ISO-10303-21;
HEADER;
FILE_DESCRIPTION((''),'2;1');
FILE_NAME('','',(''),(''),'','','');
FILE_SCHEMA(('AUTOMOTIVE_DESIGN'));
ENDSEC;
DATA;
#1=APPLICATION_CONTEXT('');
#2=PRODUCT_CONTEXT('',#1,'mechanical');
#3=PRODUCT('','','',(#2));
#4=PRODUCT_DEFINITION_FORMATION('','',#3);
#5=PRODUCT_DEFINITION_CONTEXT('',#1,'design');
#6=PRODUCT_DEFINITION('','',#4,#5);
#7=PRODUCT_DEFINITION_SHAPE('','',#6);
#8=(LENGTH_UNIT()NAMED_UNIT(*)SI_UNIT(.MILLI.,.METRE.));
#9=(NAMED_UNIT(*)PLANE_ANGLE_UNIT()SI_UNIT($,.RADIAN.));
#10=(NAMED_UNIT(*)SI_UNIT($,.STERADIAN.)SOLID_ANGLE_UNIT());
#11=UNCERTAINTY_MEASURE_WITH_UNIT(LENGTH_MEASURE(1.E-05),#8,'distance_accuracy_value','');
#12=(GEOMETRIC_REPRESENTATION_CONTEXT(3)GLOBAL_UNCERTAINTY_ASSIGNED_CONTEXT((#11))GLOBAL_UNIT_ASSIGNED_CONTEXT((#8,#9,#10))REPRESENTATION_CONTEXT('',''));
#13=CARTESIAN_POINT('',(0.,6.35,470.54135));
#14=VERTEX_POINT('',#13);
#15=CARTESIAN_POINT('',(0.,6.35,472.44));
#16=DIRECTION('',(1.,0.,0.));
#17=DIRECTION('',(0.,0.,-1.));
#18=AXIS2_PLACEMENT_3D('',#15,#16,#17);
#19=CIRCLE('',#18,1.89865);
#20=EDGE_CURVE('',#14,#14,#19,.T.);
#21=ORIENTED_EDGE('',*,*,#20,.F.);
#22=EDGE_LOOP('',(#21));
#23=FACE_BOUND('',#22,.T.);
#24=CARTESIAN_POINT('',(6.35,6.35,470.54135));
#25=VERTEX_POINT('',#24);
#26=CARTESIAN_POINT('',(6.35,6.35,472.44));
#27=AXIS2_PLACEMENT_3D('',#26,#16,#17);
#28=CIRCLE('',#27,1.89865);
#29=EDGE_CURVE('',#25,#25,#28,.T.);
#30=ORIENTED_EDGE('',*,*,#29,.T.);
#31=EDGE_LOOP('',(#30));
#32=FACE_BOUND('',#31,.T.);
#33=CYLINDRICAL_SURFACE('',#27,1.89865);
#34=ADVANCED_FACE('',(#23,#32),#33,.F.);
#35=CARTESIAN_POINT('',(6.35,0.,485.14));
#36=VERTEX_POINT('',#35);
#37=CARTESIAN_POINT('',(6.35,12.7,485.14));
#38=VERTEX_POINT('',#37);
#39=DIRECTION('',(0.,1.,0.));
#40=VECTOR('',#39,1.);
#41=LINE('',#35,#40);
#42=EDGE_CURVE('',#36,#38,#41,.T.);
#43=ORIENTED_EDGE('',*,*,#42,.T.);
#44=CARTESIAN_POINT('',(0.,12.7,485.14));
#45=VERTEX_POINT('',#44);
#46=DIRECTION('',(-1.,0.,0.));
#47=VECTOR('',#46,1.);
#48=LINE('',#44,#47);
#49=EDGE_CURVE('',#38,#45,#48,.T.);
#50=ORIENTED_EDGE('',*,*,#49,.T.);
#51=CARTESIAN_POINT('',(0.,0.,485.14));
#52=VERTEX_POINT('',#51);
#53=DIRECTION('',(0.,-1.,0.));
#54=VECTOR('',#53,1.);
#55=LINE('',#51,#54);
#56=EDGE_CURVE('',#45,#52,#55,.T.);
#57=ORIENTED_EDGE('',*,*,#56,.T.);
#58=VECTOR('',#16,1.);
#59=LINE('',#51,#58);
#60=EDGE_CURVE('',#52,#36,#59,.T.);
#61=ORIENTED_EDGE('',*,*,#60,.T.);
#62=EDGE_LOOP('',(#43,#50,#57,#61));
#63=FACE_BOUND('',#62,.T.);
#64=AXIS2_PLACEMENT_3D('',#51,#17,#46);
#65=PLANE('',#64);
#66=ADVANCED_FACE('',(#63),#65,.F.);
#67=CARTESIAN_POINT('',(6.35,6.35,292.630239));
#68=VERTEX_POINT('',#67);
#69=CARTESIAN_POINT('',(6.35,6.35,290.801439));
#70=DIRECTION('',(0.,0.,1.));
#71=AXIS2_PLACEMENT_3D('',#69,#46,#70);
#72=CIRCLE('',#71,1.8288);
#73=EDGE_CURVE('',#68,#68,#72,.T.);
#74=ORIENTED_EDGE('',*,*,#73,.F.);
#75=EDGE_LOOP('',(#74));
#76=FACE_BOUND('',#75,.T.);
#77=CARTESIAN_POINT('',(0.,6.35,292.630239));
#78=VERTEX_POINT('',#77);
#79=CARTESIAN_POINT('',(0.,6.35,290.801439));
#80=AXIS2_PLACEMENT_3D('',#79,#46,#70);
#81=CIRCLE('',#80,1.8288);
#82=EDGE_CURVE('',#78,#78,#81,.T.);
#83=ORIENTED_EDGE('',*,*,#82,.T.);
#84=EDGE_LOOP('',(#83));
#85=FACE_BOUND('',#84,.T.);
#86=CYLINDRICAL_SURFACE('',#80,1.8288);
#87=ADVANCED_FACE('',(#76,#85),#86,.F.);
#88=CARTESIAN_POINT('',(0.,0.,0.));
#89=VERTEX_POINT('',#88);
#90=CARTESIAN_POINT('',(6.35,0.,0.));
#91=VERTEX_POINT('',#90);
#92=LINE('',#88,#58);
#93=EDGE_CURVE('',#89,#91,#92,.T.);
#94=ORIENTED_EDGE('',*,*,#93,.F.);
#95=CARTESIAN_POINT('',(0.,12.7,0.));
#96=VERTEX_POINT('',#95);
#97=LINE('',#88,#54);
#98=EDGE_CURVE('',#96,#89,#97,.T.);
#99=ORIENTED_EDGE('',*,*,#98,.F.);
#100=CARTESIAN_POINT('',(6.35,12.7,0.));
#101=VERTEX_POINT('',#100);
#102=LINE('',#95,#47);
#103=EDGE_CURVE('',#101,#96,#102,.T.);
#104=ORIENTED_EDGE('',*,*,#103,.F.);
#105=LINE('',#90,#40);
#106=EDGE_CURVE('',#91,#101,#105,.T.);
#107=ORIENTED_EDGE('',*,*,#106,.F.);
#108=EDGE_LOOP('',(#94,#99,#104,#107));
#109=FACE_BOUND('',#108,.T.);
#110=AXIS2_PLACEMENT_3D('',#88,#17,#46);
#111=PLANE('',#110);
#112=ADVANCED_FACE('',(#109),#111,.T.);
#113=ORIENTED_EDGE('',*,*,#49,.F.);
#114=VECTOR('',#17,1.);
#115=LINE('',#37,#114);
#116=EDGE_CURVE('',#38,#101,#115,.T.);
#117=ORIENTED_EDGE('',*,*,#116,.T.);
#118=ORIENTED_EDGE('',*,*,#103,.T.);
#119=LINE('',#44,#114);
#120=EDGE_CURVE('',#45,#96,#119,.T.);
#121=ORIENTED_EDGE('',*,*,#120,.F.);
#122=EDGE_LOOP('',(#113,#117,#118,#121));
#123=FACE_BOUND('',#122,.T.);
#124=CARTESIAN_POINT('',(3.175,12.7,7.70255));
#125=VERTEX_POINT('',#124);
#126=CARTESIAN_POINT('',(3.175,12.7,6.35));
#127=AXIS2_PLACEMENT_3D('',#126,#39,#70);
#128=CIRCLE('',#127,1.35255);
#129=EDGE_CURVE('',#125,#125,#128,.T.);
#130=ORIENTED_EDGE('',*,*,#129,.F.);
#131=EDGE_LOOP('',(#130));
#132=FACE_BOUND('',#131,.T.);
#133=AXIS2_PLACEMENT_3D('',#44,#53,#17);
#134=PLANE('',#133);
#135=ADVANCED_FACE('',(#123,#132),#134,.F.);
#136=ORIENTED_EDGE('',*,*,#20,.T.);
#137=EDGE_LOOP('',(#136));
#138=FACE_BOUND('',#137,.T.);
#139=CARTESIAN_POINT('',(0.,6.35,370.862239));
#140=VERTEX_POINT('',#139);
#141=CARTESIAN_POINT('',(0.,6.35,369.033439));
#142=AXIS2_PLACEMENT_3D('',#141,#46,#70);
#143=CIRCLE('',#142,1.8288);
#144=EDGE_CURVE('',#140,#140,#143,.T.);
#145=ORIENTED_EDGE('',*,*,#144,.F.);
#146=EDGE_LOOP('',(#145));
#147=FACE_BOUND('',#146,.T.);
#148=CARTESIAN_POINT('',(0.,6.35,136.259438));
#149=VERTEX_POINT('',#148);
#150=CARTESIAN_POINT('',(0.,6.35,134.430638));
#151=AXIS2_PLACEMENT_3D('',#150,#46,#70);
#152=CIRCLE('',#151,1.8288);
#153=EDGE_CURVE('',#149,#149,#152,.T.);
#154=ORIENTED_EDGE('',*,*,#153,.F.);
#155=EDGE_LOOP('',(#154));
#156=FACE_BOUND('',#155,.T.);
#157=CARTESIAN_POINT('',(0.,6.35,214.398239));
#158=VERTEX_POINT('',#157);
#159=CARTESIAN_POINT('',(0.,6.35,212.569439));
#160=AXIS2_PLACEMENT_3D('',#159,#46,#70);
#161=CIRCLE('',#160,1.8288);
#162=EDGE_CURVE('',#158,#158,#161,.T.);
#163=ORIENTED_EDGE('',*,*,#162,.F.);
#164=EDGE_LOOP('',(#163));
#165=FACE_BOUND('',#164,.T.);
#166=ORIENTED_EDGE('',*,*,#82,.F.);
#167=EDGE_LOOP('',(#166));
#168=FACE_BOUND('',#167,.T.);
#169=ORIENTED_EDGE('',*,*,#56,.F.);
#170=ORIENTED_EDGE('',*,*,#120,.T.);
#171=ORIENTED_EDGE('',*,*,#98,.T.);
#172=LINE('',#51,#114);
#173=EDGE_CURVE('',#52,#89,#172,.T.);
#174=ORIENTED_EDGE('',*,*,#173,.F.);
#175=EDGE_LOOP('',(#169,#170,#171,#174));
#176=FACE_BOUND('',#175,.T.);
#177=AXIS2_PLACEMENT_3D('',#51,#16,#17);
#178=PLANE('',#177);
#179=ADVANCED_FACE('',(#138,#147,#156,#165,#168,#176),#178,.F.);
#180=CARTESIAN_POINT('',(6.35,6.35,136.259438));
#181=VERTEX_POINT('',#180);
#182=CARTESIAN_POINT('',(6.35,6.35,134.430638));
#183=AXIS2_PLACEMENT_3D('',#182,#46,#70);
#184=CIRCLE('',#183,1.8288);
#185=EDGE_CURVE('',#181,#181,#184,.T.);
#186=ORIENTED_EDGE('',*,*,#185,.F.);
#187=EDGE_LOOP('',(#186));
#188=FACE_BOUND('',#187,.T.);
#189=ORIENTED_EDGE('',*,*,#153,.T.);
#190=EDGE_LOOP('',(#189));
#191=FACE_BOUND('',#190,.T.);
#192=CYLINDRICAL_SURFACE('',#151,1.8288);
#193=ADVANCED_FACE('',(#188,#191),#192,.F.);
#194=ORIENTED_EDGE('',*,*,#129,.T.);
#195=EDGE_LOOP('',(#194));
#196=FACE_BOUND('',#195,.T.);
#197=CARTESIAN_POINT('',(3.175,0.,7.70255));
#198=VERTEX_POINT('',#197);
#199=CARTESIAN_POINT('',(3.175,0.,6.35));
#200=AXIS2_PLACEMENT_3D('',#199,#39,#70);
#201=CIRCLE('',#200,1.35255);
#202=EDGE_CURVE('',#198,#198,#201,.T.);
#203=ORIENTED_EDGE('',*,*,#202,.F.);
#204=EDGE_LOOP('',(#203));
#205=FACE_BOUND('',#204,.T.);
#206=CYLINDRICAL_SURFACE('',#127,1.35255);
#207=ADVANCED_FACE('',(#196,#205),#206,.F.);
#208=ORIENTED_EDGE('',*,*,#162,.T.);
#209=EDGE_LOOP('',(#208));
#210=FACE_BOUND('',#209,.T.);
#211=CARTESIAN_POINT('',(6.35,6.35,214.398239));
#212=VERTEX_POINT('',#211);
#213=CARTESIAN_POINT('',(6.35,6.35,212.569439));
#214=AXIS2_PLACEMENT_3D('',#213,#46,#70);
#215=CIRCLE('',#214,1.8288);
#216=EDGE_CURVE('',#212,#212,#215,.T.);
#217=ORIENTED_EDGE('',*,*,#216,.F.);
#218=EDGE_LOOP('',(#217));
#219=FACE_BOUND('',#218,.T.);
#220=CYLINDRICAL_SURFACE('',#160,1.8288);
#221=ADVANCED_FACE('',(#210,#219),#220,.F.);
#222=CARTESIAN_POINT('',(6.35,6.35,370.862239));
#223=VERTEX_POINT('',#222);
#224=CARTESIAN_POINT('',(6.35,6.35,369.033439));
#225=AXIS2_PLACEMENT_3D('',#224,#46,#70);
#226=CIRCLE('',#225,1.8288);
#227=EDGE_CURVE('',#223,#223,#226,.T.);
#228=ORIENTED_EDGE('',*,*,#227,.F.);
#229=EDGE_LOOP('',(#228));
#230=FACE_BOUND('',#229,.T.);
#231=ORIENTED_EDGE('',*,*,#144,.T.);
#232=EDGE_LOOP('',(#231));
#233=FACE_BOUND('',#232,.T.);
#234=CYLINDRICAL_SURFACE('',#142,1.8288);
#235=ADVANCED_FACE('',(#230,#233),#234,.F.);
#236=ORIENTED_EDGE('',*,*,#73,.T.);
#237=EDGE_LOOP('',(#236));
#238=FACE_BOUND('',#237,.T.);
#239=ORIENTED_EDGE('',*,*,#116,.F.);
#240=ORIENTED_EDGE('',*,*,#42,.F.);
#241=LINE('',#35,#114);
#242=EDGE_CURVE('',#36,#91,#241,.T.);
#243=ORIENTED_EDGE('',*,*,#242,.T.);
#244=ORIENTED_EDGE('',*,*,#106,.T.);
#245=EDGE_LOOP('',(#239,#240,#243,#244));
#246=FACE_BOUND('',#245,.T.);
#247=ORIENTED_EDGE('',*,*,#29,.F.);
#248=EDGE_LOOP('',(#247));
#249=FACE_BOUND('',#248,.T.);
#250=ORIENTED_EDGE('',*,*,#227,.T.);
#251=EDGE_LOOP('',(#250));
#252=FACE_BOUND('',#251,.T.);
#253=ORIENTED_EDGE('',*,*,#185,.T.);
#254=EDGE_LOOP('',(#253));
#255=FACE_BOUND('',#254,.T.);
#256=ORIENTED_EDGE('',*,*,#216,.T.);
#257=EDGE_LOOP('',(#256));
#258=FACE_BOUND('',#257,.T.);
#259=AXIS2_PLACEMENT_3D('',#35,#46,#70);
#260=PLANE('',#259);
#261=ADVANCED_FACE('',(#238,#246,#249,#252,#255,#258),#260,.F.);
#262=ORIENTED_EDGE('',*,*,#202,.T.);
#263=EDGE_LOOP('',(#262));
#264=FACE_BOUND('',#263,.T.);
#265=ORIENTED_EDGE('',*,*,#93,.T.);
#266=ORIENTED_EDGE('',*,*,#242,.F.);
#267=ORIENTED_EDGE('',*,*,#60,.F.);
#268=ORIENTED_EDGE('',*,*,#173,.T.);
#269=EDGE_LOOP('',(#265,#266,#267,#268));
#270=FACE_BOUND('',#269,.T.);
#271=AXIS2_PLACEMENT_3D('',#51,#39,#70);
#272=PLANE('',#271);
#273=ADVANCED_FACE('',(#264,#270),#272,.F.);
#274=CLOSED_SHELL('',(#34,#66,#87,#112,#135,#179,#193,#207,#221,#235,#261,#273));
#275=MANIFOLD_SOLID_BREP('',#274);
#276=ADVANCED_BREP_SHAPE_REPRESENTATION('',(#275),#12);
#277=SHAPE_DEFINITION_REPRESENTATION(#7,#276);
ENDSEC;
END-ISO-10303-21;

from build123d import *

# Parameters (mm, degrees)
SKETCH1_W                 = 6.35
SKETCH1_H                 = 12.7
BOSS_EXTRUDE1_DEPTH       = 485.14
F_6_CLEARANCE_HOLE1_D     = 3.7973
TAP_DRILL_FOR_6_32_TAP1_D = 2.7051
F_6_CLEARANCE_HOLE2_D     = 3.6576


with BuildPart() as part:
    # Sketch1 → Boss-Extrude1 (new body)
    with BuildSketch(Plane.XY):
        with Locations((3.175, 6.35)):
            Rectangle(SKETCH1_W, SKETCH1_H)
    extrude(amount=BOSS_EXTRUDE1_DEPTH)

    # #6 Clearance Hole1 (through all)
    with Locations(Plane(origin=(6.35, 0, 0), x_dir=(0, 0, -1), z_dir=(1, 0, 0))):
        with Locations((-472.44, 6.35)):
            Hole(F_6_CLEARANCE_HOLE1_D / 2)

    # Tap Drill for #6-32 Tap1 (through all)
    with Locations(Plane(origin=(0, 12.7, 0), x_dir=(1, 0, 0), z_dir=(0, 1, 0))):
        with Locations((3.175, -6.35)):
            Hole(TAP_DRILL_FOR_6_32_TAP1_D / 2)

    # #6 Clearance Hole2 (through all)
    with Locations(Plane(origin=(0, 1342.118435602, -1739.809386822), x_dir=(0, 0, -1), z_dir=(-1, 0, 0))):
        with Locations((-2108.842826276, 1335.768435602), (-1952.378826276, 1335.768435602), (-2030.610826276, 1335.768435602), (-1874.240025135, 1335.768435602)):
            Hole(F_6_CLEARANCE_HOLE2_D / 2)


solid = part.part
